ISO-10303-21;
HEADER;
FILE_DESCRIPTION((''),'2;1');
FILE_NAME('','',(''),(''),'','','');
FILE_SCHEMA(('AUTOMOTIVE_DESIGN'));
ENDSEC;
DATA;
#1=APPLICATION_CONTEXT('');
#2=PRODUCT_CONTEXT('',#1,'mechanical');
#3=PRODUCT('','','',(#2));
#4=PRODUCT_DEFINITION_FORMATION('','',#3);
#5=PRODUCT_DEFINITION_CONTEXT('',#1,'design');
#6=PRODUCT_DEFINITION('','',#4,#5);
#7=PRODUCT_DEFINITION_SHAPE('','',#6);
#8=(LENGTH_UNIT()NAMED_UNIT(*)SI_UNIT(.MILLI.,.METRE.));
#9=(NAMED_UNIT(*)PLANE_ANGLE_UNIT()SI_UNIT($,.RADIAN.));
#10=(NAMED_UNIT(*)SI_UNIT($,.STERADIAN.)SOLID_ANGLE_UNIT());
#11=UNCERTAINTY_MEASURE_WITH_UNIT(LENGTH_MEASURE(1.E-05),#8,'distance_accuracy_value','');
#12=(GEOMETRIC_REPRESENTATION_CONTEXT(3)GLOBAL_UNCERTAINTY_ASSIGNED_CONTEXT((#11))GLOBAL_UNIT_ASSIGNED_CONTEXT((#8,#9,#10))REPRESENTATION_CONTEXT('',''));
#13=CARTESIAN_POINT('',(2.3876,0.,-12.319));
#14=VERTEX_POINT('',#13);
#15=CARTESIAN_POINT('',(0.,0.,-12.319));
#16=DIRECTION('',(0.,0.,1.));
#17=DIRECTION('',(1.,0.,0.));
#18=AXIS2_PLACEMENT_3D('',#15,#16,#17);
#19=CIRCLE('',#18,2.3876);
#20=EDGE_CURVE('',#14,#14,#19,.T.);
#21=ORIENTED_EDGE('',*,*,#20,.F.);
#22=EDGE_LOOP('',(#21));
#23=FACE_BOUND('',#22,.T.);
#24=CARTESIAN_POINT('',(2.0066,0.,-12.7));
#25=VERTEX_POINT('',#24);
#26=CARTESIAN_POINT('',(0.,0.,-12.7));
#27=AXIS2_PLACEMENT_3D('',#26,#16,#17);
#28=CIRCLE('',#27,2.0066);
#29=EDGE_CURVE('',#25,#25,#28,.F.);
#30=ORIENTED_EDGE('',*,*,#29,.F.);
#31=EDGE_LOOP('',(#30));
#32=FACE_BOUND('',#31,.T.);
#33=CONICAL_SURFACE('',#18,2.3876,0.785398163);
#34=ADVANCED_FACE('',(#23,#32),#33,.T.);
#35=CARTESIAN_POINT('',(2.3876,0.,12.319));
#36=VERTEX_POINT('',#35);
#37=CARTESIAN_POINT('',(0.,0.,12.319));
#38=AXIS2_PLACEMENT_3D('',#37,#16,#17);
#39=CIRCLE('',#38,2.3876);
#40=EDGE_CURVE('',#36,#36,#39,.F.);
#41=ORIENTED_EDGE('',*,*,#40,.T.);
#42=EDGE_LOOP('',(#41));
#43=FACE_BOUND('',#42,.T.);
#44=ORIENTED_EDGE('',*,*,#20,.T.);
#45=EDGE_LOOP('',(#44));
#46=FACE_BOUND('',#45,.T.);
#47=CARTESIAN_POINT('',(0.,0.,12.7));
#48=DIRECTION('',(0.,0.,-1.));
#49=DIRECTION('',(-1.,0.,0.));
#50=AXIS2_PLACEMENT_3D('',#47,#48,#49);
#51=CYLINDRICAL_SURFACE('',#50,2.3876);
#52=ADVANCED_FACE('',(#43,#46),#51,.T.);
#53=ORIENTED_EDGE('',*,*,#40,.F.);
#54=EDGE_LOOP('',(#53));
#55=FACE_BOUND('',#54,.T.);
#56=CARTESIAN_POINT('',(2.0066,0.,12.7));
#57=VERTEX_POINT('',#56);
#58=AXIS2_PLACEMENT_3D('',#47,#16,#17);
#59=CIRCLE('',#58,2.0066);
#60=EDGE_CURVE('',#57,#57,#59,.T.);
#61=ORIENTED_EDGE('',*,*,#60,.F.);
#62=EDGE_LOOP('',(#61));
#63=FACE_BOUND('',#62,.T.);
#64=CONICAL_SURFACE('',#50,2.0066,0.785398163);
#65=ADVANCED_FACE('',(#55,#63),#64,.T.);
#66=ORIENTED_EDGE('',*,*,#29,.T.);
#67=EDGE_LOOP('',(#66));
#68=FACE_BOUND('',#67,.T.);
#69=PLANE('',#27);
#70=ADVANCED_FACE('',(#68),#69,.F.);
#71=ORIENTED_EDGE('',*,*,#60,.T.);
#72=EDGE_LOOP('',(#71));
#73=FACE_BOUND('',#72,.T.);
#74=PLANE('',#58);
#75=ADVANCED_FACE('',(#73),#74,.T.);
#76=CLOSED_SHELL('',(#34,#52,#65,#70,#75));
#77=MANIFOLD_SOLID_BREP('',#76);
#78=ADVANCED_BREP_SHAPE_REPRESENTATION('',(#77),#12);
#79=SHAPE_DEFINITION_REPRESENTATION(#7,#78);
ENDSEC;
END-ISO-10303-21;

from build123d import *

# Parameters (mm, degrees)
SKETCH1_R      = 2.3876
EXTRUDE1_DEPTH = 12.7
CHAMFER1_SIZE  = 0.381


with BuildPart() as part:
    # Sketch1 → Extrude1 (new body, symmetric)
    with BuildSketch(Plane.XY):
        Circle(SKETCH1_R)
    extrude(amount=EXTRUDE1_DEPTH, both=True)

    # Chamfer1
    chamfer1_edges = [part.edges().sort_by_distance(p)[0] for p in [
        (-2.3876, 0, -12.7),
        (-2.3876, 0, 12.7),
    ]]
    chamfer(chamfer1_edges, length=CHAMFER1_SIZE)


solid = part.part
